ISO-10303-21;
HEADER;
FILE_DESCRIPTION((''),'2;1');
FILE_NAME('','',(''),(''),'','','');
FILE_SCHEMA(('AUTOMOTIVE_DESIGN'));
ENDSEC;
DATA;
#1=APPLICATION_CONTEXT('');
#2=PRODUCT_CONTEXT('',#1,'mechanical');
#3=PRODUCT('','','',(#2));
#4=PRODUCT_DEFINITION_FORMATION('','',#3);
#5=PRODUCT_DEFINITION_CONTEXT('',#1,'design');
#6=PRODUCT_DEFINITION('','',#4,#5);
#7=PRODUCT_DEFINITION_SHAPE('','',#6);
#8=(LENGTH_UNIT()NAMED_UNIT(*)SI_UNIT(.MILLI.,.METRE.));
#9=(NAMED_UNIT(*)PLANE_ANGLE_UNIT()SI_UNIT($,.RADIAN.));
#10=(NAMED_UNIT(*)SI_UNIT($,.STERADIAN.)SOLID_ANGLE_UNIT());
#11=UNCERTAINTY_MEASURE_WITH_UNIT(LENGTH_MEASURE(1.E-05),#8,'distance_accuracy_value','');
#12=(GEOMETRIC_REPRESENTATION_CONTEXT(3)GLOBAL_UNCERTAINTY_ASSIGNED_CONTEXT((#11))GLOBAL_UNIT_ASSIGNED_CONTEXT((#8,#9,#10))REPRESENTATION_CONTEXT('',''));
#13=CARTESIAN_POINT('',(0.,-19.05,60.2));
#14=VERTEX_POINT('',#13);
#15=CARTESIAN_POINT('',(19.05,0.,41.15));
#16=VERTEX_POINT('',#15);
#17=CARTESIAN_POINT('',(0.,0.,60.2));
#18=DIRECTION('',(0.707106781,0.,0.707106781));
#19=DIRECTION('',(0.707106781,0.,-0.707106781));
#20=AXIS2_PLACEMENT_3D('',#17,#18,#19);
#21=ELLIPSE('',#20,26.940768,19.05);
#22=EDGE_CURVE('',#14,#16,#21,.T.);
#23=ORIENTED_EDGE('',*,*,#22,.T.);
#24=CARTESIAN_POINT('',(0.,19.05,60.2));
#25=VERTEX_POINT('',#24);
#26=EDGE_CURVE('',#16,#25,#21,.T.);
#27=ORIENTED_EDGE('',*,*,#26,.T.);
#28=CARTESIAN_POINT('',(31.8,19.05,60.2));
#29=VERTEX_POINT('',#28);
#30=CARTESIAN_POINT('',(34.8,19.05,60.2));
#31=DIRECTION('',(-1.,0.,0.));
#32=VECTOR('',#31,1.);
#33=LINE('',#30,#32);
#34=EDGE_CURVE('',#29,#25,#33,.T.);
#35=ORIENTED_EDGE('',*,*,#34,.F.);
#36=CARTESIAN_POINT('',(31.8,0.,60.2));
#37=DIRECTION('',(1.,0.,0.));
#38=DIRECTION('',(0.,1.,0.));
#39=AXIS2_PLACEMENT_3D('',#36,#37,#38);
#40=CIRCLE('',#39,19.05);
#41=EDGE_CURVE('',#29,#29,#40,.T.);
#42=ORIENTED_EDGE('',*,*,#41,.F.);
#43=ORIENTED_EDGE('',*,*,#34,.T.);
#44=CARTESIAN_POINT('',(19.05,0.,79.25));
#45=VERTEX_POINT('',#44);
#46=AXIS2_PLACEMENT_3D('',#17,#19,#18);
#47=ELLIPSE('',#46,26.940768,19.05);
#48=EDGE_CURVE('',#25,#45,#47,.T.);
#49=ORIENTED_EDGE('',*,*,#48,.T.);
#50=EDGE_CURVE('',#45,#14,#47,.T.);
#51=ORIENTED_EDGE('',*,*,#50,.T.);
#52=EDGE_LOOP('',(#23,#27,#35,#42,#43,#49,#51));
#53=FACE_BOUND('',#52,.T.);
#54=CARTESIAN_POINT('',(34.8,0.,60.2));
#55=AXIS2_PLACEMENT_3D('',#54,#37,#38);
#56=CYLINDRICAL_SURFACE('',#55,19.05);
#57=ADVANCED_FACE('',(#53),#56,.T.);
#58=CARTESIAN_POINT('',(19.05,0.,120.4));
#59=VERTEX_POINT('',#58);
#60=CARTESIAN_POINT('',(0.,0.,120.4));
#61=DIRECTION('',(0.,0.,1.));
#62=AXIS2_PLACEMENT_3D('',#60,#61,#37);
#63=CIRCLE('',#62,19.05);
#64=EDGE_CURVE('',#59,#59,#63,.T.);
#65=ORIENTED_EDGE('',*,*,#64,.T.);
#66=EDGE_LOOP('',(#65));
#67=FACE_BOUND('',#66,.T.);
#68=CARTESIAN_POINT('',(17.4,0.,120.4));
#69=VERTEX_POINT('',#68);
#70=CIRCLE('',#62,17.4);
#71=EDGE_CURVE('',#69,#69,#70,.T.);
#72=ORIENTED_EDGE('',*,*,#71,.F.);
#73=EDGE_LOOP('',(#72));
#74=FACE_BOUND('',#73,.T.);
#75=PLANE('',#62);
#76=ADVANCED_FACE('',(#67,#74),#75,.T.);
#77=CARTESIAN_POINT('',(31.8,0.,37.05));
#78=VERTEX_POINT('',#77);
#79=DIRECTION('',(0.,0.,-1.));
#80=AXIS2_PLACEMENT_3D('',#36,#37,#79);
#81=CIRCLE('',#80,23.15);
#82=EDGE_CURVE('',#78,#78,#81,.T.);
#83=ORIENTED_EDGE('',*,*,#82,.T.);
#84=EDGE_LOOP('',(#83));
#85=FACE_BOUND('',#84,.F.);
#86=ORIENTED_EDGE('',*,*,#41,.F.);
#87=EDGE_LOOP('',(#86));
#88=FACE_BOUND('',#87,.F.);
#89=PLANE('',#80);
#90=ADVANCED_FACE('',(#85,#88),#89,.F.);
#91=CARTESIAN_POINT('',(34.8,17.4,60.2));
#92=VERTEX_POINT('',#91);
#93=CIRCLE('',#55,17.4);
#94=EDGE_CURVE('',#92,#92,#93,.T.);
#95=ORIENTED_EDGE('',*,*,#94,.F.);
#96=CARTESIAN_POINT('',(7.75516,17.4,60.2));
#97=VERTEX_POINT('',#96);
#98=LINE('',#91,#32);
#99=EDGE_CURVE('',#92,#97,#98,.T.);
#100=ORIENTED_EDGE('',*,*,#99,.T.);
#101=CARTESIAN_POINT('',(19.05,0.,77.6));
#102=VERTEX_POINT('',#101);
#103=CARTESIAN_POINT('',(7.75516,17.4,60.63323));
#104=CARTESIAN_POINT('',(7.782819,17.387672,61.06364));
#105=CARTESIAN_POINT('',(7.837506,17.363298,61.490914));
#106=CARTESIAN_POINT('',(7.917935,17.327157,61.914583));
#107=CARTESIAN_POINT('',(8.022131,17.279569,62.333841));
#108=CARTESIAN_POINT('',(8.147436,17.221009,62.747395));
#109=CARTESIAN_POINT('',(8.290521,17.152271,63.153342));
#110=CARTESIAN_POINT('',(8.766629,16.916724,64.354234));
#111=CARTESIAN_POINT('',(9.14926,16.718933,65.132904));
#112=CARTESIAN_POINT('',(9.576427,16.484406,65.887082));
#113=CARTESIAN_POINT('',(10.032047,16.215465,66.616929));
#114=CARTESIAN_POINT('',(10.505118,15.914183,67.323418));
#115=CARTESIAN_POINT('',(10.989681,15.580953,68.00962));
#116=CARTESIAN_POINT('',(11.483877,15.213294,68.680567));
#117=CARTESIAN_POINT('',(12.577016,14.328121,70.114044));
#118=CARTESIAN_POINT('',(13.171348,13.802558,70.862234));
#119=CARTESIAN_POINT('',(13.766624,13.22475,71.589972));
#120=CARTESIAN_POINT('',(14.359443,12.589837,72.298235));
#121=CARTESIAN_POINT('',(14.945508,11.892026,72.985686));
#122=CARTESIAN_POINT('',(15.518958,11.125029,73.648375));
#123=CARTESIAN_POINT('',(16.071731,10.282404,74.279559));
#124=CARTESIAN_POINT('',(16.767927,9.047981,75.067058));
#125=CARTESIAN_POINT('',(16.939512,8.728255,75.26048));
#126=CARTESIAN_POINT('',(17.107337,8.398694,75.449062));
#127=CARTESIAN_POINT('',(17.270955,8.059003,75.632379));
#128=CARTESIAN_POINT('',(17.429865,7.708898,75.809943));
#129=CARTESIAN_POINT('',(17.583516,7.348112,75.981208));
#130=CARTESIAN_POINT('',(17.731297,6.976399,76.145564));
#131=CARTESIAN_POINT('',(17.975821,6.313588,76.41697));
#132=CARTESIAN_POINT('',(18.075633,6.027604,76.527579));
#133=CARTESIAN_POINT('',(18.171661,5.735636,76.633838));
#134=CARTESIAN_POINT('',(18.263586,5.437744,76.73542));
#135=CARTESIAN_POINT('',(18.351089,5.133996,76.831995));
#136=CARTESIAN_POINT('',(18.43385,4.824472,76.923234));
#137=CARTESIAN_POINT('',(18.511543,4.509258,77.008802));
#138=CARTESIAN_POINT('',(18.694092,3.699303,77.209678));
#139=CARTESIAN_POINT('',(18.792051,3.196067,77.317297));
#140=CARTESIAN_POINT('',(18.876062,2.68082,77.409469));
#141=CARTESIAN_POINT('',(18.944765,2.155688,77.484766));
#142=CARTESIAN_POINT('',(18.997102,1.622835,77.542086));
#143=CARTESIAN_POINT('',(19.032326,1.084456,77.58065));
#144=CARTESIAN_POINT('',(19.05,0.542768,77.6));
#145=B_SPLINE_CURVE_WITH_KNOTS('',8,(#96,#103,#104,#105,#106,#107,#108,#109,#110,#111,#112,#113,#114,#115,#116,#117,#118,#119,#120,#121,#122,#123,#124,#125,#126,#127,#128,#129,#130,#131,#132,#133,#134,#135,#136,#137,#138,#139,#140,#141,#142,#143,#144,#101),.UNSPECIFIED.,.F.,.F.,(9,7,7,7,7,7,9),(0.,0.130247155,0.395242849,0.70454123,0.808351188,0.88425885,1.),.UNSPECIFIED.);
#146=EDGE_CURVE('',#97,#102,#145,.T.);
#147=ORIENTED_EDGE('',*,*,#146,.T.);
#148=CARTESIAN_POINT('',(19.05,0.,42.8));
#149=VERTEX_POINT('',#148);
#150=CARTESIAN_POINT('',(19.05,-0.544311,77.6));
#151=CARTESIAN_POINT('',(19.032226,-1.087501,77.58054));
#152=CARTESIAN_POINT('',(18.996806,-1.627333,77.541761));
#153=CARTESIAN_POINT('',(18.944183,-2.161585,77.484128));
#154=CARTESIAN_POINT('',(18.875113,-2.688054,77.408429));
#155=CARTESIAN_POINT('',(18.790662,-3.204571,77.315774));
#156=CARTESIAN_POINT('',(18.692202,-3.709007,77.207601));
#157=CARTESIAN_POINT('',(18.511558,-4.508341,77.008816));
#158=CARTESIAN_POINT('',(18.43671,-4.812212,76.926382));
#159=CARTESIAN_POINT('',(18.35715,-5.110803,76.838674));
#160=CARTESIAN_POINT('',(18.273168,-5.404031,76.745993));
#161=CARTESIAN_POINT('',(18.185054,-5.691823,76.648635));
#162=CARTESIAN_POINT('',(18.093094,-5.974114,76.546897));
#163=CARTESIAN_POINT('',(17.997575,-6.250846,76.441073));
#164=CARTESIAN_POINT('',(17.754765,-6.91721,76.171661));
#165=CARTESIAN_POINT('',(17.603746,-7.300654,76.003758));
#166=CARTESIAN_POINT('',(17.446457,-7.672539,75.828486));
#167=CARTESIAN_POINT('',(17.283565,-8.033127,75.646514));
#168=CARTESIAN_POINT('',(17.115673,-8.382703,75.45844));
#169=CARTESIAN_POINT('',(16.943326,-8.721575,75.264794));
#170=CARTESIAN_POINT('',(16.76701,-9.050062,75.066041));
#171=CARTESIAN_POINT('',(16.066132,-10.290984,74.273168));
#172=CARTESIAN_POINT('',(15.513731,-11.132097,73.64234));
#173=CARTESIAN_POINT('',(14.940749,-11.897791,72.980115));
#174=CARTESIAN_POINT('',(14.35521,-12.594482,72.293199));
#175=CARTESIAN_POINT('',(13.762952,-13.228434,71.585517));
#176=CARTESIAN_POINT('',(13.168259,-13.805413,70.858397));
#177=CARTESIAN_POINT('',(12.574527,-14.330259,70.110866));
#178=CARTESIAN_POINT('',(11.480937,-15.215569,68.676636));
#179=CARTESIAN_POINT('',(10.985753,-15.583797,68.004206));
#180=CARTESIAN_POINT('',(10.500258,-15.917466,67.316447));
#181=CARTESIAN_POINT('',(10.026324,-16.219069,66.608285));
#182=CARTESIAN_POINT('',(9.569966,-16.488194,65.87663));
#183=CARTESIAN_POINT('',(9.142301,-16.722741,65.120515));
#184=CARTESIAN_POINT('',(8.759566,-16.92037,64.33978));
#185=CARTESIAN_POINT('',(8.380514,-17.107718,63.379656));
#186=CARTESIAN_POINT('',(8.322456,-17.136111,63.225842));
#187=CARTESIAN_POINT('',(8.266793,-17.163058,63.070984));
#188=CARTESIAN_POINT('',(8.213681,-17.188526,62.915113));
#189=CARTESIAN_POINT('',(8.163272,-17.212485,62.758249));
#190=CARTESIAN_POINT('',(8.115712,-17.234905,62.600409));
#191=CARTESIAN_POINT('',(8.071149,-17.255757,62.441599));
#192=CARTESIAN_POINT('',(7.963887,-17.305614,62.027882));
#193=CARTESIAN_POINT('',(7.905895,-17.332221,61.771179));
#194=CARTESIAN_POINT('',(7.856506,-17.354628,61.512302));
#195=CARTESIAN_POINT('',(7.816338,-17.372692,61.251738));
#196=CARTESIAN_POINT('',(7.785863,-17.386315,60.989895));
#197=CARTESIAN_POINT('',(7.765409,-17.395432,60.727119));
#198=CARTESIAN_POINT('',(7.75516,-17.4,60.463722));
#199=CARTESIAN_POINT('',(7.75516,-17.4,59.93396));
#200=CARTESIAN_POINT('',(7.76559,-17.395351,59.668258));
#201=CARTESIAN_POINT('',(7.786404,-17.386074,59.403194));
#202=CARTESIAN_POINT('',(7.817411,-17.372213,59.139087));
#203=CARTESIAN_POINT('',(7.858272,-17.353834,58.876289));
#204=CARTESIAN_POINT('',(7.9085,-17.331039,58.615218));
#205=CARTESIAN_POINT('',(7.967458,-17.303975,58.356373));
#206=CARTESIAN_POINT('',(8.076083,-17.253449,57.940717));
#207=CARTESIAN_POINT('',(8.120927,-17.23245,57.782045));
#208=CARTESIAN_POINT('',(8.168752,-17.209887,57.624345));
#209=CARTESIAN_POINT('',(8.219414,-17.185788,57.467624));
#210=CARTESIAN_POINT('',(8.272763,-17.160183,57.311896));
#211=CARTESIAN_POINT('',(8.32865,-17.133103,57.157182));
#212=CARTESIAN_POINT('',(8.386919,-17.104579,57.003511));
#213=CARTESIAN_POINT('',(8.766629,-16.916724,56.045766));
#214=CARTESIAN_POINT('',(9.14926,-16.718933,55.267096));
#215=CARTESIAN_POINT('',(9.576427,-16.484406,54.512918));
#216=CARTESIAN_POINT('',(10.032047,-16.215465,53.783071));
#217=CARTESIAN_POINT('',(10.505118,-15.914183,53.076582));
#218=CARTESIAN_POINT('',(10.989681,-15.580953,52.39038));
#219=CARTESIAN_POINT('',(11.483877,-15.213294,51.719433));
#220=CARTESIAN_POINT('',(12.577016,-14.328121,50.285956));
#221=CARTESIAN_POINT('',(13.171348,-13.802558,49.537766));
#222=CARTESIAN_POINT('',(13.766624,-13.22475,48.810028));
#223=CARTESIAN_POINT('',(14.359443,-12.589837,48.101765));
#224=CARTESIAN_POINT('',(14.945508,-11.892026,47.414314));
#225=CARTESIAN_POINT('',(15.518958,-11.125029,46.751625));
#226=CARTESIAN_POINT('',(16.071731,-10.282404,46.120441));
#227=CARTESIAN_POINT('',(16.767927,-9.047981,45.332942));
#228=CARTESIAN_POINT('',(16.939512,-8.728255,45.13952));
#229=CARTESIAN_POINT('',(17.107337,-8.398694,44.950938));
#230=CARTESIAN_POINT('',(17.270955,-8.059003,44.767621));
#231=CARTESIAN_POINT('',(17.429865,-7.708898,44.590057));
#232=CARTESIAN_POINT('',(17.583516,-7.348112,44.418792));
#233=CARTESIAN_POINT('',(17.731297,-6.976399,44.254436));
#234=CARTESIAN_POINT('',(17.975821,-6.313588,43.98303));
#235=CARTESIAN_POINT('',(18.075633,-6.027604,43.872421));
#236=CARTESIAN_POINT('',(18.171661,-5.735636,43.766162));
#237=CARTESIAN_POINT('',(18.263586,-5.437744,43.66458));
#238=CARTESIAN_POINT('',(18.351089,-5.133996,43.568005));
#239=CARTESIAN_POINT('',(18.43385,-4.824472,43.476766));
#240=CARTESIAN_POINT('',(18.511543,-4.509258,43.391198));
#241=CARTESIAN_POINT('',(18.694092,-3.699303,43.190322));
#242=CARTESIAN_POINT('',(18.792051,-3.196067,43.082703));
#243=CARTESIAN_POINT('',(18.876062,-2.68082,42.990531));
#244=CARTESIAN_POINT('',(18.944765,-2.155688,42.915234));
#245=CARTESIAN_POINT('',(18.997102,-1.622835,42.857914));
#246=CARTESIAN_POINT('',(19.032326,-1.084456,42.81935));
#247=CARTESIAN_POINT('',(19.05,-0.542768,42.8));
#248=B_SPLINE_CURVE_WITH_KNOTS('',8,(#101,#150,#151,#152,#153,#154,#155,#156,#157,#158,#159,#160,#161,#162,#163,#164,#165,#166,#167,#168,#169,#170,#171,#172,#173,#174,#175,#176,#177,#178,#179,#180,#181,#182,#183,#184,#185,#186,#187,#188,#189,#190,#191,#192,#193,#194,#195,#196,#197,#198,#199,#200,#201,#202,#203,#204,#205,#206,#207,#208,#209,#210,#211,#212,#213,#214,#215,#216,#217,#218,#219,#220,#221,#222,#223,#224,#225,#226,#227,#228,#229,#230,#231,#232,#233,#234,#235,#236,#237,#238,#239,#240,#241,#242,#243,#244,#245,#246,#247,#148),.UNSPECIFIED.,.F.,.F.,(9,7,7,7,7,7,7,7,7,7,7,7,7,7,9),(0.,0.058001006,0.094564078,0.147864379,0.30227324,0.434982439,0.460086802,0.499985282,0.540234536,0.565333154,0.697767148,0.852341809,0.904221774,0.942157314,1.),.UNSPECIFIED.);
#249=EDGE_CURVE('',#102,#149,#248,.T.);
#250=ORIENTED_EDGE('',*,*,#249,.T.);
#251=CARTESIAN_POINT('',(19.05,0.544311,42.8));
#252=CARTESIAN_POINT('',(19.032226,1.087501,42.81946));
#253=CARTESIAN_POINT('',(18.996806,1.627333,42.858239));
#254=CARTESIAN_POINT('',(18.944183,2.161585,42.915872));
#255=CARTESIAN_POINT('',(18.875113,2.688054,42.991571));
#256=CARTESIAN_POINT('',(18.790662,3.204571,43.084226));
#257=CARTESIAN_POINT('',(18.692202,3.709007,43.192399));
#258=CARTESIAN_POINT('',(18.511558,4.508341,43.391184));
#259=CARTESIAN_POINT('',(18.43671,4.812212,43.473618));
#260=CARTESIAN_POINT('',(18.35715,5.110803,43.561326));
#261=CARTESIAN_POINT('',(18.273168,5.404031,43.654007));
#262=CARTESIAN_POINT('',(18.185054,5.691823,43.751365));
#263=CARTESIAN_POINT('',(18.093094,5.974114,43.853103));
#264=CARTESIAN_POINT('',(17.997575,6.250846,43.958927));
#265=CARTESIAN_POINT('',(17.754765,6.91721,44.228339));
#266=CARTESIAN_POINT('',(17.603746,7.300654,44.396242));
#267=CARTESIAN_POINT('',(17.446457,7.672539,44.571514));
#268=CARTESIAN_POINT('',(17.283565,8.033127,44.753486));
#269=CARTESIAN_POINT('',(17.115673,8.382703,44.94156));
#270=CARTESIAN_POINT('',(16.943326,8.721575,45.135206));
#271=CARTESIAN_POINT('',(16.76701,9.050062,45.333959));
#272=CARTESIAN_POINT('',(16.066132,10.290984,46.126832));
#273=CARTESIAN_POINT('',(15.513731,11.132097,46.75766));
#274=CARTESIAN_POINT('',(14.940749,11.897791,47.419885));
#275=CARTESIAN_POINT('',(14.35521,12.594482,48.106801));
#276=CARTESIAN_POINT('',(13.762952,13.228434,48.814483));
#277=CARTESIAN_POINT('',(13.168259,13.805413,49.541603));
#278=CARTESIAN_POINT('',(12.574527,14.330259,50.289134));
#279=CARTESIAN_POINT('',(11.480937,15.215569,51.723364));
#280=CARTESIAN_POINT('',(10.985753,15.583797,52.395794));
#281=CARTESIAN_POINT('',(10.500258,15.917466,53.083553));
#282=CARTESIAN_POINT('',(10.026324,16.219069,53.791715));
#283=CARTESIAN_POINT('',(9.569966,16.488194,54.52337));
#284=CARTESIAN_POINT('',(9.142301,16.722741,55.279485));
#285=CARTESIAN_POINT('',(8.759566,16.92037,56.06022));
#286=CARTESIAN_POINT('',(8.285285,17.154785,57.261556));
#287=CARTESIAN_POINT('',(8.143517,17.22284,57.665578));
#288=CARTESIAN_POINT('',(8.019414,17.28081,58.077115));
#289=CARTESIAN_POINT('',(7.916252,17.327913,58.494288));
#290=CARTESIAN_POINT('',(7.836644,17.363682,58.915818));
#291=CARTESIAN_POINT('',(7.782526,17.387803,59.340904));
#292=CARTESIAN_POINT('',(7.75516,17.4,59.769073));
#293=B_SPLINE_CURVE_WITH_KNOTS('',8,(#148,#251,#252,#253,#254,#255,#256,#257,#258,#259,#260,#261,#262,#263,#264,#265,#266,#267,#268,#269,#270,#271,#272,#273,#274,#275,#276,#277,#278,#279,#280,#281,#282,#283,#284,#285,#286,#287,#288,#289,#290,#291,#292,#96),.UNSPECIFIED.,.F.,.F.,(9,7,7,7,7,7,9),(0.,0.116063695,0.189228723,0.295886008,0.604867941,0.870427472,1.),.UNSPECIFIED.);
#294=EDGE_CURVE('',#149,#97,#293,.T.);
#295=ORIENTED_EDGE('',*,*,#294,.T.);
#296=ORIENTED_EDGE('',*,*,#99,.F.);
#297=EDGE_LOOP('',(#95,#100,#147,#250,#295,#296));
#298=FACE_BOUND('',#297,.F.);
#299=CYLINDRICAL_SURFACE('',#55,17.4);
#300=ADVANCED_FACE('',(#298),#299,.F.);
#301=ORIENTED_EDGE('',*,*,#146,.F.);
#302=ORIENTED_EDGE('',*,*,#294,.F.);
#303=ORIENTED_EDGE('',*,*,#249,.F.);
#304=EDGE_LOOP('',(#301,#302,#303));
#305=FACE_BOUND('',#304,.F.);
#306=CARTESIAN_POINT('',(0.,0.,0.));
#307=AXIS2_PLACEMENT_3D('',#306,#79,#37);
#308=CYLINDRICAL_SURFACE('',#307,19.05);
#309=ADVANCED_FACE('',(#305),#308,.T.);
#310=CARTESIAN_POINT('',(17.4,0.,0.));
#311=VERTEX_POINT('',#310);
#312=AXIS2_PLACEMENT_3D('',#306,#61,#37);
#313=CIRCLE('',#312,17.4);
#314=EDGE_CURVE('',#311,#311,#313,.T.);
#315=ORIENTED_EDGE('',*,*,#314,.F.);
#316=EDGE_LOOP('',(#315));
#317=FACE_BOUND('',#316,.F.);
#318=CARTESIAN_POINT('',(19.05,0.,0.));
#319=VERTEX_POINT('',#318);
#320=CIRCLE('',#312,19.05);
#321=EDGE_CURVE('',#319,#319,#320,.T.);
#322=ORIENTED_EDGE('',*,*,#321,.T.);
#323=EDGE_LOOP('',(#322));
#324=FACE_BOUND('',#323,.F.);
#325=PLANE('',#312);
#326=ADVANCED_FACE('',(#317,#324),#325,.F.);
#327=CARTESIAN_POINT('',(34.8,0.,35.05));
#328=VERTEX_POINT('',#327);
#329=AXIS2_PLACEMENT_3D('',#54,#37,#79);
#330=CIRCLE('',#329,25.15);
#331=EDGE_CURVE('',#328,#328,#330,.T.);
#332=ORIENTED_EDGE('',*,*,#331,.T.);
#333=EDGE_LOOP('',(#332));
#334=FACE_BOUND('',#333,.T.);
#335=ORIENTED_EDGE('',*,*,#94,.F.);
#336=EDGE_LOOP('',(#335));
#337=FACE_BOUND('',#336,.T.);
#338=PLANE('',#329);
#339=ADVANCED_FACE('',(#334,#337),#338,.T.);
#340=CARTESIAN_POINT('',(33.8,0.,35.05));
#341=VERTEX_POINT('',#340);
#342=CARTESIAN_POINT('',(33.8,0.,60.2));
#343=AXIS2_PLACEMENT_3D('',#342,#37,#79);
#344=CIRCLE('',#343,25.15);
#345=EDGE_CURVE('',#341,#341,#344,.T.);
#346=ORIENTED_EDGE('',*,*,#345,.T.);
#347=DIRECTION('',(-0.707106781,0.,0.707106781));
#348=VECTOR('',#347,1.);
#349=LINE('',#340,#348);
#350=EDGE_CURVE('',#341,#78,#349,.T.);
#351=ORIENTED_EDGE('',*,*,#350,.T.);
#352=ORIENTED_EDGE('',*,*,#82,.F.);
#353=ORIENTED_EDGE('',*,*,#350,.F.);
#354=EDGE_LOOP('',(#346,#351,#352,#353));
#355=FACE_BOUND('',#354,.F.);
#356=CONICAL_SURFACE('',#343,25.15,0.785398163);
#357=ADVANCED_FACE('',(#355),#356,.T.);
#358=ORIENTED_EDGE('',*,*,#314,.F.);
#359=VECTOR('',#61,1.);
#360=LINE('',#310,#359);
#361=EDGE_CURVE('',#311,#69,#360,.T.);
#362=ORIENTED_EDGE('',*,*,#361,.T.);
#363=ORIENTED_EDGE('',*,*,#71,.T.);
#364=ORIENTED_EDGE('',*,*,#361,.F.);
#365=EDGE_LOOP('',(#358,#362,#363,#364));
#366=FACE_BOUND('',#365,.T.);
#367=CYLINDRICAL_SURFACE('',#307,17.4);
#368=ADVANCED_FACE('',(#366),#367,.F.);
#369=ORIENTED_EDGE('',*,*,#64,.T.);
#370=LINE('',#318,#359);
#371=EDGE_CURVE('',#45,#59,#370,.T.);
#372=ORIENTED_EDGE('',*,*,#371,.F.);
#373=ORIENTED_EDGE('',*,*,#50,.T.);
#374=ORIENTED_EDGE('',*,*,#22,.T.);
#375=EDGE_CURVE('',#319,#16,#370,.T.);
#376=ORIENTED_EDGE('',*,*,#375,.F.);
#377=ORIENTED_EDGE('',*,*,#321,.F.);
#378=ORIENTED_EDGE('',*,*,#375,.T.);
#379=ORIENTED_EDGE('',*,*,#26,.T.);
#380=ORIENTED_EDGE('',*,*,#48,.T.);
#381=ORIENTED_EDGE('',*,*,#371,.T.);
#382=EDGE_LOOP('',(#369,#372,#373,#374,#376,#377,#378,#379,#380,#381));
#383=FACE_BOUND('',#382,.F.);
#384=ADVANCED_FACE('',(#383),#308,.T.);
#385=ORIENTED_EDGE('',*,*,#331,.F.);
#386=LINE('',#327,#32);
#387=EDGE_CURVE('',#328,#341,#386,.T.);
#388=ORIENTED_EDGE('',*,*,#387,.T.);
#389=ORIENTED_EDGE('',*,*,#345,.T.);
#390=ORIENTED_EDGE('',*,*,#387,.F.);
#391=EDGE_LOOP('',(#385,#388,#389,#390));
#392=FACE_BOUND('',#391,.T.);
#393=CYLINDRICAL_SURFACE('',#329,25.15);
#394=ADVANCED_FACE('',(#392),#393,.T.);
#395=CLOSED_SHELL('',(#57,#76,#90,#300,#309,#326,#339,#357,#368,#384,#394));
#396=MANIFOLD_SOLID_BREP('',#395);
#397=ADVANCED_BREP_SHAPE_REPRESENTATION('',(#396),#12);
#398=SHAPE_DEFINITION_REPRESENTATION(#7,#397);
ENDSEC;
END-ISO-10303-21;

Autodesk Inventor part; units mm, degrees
ref_plane "YZ Plane" through (0, 0, 0) normal (1, 0, 0) x (0, 1, 0)
ref_plane "XZ Plane" through (0, 0, 0) normal (0, 1, 0) x (-1, 0, 0)
sketch "Sketch1" plane through (0, 0, 0) normal (0, 0, 1) x (1, 0, 0)
  circle A0 centre (0, 0) radius 19.05
  circle A1 centre (0, 0) radius 17.4
  dimension "d0" = 38.1
  dimension "d3" = 1.65
extrude "Extrusion1" add sketch "Sketch1" along normal blind 120.4
ref_plane "Work Plane1" through (34.8, 0, 0) normal (1, 0, 0) x (0, 1, 0)
sketch "Sketch2" plane through (34.8, 0, 0) normal (1, 0, 0) x (0, 1, 0)
  line L0 (-19.05, 120.4) -> (19.05, 120.4) projected
  line L1 (-19.05, 0) -> (19.05, 0) projected
  line L2 (19.05, 0) -> (19.05, 120.4) projected
  line L3 (-19.05, 0) -> (-19.05, 120.4) projected
  line L4 (0, 120.4) -> (0, 0) construction
  circle A0 centre (0, 60.2) radius 19.05
  circle A1 centre (0, 60.2) radius 17.4
  dimension "d7" = 38.1
  dimension "d8" = 1.65
extrude "Extrusion2" add sketch "Sketch2" against normal up to next contours A0
sketch "Sketch6" plane through (34.8, 0, 60.2) normal (1, 0, 0) x (0, 0, -1)
  circle A0 centre (0, 0) radius 17.4 projected
  circle A1 centre (0, 0) radius 19.05 projected
  circle A2 centre (0, 0) radius 25.15
  dimension "d17" = 0
  dimension "d18" = 50.3
extrude "Extrusion4" add sketch "Sketch6" against normal blind 3 contours A2
chamfer "Chamfer2" distance 2 angle 45 1 edges at (31.8, 0, 85.35)
properties part number "ASME BPE Eq Inst Tee-38.1"
